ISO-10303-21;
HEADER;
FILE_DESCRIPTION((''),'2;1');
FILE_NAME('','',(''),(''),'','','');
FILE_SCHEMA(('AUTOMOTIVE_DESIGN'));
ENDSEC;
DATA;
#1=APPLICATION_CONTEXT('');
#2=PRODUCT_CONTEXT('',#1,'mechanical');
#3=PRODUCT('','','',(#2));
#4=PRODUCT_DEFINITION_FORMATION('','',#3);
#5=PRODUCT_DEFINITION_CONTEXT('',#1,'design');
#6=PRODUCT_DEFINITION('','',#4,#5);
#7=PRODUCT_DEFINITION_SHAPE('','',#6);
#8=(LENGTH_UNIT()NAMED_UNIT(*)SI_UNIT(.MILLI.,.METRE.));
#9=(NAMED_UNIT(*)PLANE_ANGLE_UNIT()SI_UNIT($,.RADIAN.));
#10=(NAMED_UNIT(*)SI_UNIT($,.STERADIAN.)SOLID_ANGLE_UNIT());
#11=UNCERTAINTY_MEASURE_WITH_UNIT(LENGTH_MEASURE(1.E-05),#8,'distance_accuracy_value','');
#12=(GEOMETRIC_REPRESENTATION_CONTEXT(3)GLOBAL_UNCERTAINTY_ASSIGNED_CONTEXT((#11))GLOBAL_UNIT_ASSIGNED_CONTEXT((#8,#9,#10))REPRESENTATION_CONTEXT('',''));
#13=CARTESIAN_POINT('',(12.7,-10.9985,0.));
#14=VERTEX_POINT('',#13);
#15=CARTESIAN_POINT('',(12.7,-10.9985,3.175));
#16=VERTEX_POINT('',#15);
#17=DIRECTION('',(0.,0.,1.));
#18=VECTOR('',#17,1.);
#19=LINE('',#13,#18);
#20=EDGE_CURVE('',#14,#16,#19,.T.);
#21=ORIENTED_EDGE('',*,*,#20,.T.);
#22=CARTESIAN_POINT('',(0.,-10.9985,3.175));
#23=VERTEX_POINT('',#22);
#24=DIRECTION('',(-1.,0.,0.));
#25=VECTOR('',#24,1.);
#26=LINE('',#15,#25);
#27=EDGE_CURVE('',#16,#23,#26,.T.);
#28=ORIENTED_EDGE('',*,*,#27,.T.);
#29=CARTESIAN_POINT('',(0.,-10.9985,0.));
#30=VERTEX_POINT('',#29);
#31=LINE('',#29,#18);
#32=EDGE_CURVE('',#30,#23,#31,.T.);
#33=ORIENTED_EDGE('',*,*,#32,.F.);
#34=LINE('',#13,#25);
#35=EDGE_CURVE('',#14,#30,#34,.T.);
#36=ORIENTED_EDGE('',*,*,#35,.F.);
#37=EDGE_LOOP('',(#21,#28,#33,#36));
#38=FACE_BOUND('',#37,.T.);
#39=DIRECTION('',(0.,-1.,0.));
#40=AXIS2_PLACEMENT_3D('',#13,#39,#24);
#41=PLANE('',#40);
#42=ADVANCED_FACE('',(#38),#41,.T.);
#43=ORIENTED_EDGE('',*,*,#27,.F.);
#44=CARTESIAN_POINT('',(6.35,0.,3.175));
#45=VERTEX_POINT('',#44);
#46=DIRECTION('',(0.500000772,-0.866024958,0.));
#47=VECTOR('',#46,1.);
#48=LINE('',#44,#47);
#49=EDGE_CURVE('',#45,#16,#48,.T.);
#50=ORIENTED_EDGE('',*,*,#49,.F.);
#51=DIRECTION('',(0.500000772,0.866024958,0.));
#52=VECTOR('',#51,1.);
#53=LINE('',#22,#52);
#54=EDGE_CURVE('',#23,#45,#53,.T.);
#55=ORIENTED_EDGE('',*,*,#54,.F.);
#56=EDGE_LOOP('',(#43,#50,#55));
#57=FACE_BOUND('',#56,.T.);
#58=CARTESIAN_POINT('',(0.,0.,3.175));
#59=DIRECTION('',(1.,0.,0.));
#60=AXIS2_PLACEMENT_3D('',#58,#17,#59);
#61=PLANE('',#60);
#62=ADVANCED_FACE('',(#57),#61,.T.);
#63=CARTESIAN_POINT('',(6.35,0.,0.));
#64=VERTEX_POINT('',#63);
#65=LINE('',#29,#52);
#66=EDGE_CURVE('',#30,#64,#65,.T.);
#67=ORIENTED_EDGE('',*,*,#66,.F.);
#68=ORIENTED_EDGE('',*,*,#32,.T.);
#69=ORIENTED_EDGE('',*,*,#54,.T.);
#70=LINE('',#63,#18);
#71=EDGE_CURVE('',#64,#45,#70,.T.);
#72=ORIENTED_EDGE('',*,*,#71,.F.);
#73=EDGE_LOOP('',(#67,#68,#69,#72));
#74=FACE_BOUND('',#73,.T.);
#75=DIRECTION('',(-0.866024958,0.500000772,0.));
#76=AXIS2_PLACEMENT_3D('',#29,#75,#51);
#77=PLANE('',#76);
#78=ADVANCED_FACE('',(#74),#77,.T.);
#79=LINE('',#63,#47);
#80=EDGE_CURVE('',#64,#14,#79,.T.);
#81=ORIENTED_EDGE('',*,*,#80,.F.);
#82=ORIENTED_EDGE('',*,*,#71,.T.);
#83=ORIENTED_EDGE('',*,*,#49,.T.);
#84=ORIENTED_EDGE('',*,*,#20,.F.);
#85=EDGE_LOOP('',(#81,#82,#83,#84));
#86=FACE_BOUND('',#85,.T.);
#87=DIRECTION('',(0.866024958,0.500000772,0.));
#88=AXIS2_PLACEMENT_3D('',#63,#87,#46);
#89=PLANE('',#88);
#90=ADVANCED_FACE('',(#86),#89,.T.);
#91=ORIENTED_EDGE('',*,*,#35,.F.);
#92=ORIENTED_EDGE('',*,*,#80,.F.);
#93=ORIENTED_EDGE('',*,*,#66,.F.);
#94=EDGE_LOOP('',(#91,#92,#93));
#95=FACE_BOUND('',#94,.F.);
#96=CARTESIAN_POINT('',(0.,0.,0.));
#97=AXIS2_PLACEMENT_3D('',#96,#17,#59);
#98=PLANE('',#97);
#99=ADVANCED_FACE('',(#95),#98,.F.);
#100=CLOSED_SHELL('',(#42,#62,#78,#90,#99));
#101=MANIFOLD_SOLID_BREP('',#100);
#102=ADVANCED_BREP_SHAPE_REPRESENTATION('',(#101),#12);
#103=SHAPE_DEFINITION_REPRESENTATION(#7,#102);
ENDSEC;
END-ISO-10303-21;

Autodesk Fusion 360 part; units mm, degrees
sketch "Triangle" plane through (0, 0, 0) normal (0, 0, 1) x (1, 0, 0)
  line L0 (0, -10.9985) -> (6.35, 0)
  line L1 (12.7, -10.9985) -> (0, -10.9985)
  line L2 (6.35, 0) -> (12.7, -10.9985)
extrude "Extrude1" add sketch "Triangle" along normal blind 3.175
